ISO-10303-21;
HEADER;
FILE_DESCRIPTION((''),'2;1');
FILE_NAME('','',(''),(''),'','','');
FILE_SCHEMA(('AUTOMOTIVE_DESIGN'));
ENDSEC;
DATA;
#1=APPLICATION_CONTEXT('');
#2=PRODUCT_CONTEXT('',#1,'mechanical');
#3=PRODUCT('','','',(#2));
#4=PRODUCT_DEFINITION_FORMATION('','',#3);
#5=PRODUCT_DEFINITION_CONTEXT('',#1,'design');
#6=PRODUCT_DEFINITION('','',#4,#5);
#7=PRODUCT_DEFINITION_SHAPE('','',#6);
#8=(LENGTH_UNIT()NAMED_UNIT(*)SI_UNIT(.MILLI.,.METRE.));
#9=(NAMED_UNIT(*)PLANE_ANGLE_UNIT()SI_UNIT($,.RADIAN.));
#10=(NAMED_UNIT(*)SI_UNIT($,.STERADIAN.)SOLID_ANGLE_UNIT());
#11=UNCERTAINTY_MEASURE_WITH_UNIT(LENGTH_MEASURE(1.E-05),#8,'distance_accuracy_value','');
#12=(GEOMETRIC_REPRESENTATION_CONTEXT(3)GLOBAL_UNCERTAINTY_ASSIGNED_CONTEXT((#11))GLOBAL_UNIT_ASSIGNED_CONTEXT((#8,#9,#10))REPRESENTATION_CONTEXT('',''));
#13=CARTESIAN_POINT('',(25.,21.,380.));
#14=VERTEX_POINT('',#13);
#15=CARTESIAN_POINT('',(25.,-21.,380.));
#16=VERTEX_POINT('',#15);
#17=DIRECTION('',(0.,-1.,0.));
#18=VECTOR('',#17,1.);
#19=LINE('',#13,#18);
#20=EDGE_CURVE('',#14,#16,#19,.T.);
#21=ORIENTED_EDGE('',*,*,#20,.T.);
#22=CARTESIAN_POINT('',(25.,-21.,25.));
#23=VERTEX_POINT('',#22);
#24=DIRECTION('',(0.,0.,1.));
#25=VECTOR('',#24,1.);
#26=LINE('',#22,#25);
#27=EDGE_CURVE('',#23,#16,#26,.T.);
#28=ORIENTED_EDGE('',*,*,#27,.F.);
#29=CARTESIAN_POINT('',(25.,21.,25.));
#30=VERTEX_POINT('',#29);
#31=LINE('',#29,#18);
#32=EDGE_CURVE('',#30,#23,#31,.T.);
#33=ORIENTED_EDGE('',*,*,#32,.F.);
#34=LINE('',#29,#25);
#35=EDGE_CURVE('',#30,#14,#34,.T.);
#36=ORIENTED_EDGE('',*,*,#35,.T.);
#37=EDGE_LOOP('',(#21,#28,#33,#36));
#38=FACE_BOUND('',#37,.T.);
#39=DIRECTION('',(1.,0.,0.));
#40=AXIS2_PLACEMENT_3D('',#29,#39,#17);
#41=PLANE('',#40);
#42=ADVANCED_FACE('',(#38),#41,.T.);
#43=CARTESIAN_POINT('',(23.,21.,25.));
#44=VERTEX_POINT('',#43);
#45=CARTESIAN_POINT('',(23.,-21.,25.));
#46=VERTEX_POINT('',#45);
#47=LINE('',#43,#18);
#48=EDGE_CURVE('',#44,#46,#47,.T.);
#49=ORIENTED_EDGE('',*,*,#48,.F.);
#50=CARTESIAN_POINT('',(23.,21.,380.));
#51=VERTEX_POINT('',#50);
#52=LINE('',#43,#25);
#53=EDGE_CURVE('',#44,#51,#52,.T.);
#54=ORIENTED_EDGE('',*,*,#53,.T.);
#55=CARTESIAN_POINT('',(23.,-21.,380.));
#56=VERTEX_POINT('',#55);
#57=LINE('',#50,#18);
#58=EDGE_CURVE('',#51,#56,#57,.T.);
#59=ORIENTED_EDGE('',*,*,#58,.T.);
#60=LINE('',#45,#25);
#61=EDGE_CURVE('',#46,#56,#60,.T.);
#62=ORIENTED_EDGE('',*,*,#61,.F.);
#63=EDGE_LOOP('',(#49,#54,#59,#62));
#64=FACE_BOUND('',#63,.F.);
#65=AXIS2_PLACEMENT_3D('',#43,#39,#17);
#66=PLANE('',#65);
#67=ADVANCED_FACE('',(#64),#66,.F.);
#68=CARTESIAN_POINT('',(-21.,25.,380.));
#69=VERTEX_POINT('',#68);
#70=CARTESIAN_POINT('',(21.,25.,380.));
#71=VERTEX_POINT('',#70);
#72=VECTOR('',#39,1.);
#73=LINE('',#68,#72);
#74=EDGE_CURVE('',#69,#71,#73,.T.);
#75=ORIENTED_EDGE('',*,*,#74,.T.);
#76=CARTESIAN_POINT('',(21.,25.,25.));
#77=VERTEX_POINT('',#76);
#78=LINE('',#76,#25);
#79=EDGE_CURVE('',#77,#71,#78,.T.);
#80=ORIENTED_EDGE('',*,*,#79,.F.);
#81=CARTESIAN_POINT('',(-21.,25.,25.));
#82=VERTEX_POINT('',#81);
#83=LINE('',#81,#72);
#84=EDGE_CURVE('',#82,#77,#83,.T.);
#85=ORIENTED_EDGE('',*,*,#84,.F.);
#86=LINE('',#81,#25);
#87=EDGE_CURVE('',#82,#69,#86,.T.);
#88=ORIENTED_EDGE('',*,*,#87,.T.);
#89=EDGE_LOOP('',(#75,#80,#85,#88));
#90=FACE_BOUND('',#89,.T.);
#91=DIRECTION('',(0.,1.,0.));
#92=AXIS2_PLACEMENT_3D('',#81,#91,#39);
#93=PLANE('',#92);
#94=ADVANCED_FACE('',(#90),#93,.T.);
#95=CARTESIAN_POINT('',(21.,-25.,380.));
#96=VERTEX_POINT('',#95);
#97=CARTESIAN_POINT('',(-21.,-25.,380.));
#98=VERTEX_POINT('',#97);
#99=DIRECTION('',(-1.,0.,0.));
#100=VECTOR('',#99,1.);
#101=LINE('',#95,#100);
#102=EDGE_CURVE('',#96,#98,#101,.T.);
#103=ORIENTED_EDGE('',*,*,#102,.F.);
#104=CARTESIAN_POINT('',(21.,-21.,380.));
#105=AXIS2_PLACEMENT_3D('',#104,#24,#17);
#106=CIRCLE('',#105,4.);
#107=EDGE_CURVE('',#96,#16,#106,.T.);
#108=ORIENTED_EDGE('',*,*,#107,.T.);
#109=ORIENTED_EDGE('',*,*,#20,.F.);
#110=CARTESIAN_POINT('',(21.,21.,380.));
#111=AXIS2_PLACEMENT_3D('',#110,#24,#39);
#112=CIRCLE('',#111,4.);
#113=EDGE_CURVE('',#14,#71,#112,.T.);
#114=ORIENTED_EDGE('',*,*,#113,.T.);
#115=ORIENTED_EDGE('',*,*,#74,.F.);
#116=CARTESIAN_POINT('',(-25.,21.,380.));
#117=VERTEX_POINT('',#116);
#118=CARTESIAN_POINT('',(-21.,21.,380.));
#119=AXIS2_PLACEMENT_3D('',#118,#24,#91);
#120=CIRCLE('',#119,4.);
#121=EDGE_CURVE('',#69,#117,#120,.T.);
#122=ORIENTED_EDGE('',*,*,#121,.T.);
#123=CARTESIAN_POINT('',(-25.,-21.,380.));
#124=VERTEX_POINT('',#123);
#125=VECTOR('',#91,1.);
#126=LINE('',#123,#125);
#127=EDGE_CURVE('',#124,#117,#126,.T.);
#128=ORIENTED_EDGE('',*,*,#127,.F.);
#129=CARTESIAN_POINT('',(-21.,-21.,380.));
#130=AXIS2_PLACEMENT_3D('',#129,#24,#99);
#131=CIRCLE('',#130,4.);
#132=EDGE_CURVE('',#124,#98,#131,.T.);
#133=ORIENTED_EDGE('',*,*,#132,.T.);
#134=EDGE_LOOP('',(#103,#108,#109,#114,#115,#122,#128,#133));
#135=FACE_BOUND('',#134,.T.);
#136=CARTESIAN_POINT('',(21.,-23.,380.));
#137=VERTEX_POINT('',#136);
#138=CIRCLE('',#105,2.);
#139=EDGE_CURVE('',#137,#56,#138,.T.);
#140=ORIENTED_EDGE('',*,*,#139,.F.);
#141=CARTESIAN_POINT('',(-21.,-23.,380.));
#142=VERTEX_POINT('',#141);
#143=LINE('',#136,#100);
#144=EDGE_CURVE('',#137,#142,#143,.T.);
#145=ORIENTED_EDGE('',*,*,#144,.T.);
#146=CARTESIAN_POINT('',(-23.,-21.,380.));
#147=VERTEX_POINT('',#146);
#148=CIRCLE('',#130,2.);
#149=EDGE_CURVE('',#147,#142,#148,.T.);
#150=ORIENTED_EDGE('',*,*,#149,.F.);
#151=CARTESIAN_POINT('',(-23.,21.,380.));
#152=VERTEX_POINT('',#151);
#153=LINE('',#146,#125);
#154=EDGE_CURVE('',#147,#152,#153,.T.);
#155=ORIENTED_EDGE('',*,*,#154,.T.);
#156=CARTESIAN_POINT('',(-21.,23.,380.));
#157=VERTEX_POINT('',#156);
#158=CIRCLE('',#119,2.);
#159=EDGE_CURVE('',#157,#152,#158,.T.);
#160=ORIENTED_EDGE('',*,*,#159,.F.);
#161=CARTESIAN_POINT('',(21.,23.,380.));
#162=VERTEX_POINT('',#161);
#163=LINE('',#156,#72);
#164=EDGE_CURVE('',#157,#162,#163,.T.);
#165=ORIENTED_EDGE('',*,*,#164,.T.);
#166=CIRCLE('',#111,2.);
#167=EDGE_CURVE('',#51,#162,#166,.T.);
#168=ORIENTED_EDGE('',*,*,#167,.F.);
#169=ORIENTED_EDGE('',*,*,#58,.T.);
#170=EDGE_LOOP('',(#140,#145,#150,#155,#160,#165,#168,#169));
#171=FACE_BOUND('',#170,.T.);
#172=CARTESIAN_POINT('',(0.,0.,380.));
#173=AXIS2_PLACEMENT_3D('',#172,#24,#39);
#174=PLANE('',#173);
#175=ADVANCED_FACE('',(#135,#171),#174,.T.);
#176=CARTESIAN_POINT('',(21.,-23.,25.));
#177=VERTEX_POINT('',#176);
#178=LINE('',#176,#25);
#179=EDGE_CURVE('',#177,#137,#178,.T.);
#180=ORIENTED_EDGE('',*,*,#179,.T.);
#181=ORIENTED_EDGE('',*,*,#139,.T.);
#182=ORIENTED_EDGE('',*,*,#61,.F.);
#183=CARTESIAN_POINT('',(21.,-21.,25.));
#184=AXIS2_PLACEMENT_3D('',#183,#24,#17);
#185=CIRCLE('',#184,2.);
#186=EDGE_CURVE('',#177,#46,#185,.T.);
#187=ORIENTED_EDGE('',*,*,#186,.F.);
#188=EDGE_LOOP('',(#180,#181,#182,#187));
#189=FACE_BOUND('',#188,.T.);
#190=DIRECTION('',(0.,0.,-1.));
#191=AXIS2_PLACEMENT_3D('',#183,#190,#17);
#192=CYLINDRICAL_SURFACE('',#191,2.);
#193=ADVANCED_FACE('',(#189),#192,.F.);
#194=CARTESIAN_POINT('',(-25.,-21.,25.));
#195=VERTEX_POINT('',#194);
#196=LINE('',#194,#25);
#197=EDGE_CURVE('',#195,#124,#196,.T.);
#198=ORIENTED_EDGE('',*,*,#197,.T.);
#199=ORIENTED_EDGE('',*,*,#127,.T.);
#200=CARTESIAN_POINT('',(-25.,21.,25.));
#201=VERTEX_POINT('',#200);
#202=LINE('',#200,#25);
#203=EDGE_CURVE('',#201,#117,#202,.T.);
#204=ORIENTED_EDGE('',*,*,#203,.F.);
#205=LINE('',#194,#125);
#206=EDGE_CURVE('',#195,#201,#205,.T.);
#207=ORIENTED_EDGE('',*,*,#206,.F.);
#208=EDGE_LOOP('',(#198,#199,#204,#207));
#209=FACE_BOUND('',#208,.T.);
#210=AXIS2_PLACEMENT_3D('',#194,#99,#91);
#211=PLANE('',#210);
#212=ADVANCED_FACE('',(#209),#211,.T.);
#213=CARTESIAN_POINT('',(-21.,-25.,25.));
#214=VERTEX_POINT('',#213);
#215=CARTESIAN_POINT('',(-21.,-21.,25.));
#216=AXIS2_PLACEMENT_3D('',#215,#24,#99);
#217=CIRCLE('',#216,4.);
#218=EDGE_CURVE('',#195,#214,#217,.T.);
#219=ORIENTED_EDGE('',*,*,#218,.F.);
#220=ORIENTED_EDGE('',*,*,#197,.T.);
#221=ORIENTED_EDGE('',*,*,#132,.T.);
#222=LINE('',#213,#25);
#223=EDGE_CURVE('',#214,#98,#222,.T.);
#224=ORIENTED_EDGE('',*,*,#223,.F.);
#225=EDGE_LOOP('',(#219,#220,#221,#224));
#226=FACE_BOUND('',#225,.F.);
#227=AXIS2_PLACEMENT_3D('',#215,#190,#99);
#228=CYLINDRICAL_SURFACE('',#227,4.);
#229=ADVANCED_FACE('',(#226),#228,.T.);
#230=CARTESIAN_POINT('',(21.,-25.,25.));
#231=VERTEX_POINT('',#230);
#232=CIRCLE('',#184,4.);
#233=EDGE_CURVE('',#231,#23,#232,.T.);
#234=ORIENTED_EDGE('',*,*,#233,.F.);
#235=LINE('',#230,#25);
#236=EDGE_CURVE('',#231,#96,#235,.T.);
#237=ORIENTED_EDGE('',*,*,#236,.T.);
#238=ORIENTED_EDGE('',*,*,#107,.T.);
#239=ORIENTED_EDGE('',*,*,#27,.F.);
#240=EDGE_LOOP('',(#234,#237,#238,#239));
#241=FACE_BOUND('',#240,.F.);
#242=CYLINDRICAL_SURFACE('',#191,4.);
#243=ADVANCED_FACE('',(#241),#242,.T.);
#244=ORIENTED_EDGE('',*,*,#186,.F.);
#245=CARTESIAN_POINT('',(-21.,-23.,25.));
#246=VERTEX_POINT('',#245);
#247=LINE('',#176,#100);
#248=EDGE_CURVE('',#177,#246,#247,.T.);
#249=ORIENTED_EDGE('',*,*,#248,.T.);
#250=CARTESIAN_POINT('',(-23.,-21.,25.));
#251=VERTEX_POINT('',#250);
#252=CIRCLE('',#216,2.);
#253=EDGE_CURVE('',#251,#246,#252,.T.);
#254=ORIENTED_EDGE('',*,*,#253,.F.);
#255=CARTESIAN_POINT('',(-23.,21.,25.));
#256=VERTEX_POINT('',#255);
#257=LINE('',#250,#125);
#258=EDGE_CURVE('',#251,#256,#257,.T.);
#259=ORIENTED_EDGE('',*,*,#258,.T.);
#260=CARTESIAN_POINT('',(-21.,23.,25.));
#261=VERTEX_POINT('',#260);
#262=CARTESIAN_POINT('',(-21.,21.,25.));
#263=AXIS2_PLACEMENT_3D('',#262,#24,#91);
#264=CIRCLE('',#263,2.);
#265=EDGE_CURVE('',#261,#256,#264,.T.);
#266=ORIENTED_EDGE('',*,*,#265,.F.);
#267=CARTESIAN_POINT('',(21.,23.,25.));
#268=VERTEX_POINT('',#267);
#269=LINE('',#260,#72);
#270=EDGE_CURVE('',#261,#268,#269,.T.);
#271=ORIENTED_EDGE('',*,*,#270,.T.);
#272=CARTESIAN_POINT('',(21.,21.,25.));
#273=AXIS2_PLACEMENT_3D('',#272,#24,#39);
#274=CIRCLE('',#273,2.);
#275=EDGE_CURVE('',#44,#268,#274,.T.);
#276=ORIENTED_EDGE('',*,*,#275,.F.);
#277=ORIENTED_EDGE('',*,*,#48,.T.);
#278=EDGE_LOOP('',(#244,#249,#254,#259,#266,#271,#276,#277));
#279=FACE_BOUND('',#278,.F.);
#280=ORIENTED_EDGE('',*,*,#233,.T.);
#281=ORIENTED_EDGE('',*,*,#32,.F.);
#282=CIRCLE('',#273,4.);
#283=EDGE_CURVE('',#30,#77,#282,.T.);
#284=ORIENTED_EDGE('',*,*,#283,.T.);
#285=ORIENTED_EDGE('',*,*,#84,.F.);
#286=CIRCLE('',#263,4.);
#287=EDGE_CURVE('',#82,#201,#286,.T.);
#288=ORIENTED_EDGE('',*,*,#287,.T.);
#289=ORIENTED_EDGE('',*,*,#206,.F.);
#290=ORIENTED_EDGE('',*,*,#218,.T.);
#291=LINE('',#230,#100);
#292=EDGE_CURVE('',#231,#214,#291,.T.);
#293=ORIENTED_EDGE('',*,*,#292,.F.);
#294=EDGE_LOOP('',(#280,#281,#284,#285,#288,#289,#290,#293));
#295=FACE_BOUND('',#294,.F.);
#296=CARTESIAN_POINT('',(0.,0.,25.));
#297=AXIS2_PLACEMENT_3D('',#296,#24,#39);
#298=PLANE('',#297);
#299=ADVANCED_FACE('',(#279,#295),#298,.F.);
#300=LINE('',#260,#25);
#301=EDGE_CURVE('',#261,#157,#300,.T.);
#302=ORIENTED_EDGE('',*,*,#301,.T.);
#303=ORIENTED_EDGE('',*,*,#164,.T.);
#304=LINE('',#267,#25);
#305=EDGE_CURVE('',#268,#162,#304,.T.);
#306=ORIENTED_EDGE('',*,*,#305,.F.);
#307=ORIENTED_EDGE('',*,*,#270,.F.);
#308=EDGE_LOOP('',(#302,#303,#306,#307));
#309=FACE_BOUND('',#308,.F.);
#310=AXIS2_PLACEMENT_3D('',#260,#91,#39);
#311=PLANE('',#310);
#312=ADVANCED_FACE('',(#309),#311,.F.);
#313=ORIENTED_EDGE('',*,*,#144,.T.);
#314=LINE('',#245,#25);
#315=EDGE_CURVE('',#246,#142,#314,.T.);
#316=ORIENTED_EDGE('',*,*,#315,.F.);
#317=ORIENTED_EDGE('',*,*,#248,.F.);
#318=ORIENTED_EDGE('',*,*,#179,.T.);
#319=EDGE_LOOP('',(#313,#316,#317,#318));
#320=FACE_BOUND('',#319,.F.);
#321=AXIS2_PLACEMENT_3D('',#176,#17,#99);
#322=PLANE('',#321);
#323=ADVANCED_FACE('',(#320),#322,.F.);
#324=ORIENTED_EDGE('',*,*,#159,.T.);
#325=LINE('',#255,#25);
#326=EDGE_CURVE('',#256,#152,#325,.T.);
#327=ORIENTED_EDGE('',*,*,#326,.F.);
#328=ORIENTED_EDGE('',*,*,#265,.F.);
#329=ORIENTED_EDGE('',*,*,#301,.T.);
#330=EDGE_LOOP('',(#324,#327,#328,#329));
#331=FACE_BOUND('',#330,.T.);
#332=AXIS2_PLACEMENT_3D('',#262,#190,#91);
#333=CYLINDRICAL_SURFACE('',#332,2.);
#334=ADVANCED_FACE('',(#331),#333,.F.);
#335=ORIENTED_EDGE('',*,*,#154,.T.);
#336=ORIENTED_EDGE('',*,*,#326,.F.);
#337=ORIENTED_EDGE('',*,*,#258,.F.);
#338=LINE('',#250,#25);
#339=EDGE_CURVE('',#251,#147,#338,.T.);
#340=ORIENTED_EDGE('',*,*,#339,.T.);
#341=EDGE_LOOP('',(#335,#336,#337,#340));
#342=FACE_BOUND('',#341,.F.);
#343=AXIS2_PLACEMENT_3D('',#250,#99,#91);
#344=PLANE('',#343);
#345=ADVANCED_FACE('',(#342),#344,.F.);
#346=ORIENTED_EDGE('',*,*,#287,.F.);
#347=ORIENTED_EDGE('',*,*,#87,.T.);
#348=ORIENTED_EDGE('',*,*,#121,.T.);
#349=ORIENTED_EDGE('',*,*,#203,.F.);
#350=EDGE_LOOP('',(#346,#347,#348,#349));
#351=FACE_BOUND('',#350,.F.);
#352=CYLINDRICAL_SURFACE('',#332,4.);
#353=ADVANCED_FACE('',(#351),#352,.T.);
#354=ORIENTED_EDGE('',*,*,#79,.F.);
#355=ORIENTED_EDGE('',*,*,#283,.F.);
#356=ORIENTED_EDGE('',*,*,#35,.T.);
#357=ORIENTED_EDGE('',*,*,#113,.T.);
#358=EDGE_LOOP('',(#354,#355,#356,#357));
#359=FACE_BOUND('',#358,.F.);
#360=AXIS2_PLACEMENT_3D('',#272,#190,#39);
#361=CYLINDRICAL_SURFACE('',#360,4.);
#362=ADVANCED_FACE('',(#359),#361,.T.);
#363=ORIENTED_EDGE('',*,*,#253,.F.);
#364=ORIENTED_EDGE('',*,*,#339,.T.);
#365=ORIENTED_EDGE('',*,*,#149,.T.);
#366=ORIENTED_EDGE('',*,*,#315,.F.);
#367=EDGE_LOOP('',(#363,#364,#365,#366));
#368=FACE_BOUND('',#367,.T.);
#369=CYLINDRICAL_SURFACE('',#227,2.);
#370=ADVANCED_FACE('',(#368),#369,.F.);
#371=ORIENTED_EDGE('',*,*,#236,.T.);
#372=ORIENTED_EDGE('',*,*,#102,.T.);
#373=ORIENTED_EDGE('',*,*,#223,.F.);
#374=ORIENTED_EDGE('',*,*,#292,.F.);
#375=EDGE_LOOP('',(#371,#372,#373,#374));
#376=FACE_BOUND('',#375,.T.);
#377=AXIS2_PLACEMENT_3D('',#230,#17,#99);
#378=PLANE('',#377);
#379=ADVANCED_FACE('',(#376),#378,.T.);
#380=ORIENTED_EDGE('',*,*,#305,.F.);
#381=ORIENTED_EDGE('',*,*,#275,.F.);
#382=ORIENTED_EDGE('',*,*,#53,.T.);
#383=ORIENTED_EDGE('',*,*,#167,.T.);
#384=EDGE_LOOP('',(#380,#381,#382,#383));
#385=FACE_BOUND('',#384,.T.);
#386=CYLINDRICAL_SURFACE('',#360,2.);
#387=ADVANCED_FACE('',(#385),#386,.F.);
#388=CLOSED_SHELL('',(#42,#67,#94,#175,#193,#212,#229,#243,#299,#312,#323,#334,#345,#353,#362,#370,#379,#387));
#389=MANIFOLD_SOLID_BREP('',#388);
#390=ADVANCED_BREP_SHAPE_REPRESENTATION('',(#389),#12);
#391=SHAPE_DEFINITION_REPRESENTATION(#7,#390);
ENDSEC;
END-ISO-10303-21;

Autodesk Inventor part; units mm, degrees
ref_plane "Start Plane" through (0, 0, 25) normal (0, 0, 1) x (1, 0, 0)
ref_plane "End Plane" through (0, 0, 380) normal (0, 0, 1) x (1, 0, 0)
sketch "Sketch" plane through (0, 0, 0) normal (0, 0, 1) x (1, 0, 0)
  line L0 (-25, -21) -> (-25, 21)
  line L1 (-21, 25) -> (21, 25)
  line L2 (25, 21) -> (25, -21)
  line L3 (21, -25) -> (-21, -25)
  arc A0 (-25, -21) -> (-21, -25) centre (-21, -21) ccw
  arc A1 (25, 21) -> (21, 25) centre (21, 21) ccw
  arc A2 (-21, 25) -> (-25, 21) centre (-21, 21) ccw
  arc A3 (21, -25) -> (25, -21) centre (21, -21) ccw
  arc A4 (-21, 23) -> (-23, 21) centre (-21, 21) ccw
  line L4 (-21, 23) -> (21, 23)
  arc A5 (23, 21) -> (21, 23) centre (21, 21) ccw
  line L5 (23, 21) -> (23, -21)
  arc A6 (21, -23) -> (23, -21) centre (21, -21) ccw
  line L6 (21, -23) -> (-21, -23)
  arc A7 (-23, -21) -> (-21, -23) centre (-21, -21) ccw
  line L7 (-23, -21) -> (-23, 21)
  line L8 (0, 36.1598) -> (0, -36.1598) construction
  line L9 (-36.1598, 0) -> (36.1598, 0) construction
  dimension "d7" = 4
  dimension "d9" = 50
  dimension "d11" = 50
  dimension "d12" = 2
  dimension "d15" = 25
  dimension "d16" = 25
extrude "Body" add sketch "Sketch" along normal up to surface (355 mm away) from surface at 25
sketch "Sketch3" plane through (0, 0, 0) normal (0, 0, 1) x (1, 0, 0)
  line L0 (0, 0) -> (10, 0)
ref_plane "Work Plane3" through (0, 0, 0) normal (0, -1, 0) x (1, 0, 0)
sketch "Sketch4" plane through (0, 0, 0) normal (0, -1, 0) x (1, 0, 0)
  line L0 (-2, 25) -> (12, 25)
  line L1 (-2, 380) -> (12, 380)
  dimension "d18" = 355
ref_plane "Work Plane4" through (-149.94, -21, 25) normal (0, 0, -1) x (-1, 0, 0)
split "Split1" plane through (-149.94, -21, 25) removes the side toward (0, 0, -1)
ref_plane "Work Plane5" through (-149.94, 21, 380) normal (0, 0, 1) x (1, 0, 0)
split "Split2" plane through (-149.94, 21, 380) removes the side toward (0, 0, 1)
equation "\"d7\" = G_IR"
equation "\"d9\" = G_W"
equation "\"d11\" = G_H"
equation "\"d12\" = G_T"
equation "\"d15\" = 0.5 * d9"
equation "\"d16\" = 0.5 * d11"
equation "\"d3\" = G_L"
equation "\"G_W\" = 50"
equation "\"G_H\" = 50"
equation "\"G_T\" = 2"
equation "\"G_IR\" = 4"
equation "\"G_L\" = d18"
equation "\"G_OFFSET_START\" = -25"
equation "\"G_OFFSET_END\" = -25"
equation "\"d13\" = -G_OFFSET_START"
equation "\"B_L\" = 405"
properties part number "ISO 10799-2 - 50x50x2 - 355" material "Galvanizado catalogo 1"
